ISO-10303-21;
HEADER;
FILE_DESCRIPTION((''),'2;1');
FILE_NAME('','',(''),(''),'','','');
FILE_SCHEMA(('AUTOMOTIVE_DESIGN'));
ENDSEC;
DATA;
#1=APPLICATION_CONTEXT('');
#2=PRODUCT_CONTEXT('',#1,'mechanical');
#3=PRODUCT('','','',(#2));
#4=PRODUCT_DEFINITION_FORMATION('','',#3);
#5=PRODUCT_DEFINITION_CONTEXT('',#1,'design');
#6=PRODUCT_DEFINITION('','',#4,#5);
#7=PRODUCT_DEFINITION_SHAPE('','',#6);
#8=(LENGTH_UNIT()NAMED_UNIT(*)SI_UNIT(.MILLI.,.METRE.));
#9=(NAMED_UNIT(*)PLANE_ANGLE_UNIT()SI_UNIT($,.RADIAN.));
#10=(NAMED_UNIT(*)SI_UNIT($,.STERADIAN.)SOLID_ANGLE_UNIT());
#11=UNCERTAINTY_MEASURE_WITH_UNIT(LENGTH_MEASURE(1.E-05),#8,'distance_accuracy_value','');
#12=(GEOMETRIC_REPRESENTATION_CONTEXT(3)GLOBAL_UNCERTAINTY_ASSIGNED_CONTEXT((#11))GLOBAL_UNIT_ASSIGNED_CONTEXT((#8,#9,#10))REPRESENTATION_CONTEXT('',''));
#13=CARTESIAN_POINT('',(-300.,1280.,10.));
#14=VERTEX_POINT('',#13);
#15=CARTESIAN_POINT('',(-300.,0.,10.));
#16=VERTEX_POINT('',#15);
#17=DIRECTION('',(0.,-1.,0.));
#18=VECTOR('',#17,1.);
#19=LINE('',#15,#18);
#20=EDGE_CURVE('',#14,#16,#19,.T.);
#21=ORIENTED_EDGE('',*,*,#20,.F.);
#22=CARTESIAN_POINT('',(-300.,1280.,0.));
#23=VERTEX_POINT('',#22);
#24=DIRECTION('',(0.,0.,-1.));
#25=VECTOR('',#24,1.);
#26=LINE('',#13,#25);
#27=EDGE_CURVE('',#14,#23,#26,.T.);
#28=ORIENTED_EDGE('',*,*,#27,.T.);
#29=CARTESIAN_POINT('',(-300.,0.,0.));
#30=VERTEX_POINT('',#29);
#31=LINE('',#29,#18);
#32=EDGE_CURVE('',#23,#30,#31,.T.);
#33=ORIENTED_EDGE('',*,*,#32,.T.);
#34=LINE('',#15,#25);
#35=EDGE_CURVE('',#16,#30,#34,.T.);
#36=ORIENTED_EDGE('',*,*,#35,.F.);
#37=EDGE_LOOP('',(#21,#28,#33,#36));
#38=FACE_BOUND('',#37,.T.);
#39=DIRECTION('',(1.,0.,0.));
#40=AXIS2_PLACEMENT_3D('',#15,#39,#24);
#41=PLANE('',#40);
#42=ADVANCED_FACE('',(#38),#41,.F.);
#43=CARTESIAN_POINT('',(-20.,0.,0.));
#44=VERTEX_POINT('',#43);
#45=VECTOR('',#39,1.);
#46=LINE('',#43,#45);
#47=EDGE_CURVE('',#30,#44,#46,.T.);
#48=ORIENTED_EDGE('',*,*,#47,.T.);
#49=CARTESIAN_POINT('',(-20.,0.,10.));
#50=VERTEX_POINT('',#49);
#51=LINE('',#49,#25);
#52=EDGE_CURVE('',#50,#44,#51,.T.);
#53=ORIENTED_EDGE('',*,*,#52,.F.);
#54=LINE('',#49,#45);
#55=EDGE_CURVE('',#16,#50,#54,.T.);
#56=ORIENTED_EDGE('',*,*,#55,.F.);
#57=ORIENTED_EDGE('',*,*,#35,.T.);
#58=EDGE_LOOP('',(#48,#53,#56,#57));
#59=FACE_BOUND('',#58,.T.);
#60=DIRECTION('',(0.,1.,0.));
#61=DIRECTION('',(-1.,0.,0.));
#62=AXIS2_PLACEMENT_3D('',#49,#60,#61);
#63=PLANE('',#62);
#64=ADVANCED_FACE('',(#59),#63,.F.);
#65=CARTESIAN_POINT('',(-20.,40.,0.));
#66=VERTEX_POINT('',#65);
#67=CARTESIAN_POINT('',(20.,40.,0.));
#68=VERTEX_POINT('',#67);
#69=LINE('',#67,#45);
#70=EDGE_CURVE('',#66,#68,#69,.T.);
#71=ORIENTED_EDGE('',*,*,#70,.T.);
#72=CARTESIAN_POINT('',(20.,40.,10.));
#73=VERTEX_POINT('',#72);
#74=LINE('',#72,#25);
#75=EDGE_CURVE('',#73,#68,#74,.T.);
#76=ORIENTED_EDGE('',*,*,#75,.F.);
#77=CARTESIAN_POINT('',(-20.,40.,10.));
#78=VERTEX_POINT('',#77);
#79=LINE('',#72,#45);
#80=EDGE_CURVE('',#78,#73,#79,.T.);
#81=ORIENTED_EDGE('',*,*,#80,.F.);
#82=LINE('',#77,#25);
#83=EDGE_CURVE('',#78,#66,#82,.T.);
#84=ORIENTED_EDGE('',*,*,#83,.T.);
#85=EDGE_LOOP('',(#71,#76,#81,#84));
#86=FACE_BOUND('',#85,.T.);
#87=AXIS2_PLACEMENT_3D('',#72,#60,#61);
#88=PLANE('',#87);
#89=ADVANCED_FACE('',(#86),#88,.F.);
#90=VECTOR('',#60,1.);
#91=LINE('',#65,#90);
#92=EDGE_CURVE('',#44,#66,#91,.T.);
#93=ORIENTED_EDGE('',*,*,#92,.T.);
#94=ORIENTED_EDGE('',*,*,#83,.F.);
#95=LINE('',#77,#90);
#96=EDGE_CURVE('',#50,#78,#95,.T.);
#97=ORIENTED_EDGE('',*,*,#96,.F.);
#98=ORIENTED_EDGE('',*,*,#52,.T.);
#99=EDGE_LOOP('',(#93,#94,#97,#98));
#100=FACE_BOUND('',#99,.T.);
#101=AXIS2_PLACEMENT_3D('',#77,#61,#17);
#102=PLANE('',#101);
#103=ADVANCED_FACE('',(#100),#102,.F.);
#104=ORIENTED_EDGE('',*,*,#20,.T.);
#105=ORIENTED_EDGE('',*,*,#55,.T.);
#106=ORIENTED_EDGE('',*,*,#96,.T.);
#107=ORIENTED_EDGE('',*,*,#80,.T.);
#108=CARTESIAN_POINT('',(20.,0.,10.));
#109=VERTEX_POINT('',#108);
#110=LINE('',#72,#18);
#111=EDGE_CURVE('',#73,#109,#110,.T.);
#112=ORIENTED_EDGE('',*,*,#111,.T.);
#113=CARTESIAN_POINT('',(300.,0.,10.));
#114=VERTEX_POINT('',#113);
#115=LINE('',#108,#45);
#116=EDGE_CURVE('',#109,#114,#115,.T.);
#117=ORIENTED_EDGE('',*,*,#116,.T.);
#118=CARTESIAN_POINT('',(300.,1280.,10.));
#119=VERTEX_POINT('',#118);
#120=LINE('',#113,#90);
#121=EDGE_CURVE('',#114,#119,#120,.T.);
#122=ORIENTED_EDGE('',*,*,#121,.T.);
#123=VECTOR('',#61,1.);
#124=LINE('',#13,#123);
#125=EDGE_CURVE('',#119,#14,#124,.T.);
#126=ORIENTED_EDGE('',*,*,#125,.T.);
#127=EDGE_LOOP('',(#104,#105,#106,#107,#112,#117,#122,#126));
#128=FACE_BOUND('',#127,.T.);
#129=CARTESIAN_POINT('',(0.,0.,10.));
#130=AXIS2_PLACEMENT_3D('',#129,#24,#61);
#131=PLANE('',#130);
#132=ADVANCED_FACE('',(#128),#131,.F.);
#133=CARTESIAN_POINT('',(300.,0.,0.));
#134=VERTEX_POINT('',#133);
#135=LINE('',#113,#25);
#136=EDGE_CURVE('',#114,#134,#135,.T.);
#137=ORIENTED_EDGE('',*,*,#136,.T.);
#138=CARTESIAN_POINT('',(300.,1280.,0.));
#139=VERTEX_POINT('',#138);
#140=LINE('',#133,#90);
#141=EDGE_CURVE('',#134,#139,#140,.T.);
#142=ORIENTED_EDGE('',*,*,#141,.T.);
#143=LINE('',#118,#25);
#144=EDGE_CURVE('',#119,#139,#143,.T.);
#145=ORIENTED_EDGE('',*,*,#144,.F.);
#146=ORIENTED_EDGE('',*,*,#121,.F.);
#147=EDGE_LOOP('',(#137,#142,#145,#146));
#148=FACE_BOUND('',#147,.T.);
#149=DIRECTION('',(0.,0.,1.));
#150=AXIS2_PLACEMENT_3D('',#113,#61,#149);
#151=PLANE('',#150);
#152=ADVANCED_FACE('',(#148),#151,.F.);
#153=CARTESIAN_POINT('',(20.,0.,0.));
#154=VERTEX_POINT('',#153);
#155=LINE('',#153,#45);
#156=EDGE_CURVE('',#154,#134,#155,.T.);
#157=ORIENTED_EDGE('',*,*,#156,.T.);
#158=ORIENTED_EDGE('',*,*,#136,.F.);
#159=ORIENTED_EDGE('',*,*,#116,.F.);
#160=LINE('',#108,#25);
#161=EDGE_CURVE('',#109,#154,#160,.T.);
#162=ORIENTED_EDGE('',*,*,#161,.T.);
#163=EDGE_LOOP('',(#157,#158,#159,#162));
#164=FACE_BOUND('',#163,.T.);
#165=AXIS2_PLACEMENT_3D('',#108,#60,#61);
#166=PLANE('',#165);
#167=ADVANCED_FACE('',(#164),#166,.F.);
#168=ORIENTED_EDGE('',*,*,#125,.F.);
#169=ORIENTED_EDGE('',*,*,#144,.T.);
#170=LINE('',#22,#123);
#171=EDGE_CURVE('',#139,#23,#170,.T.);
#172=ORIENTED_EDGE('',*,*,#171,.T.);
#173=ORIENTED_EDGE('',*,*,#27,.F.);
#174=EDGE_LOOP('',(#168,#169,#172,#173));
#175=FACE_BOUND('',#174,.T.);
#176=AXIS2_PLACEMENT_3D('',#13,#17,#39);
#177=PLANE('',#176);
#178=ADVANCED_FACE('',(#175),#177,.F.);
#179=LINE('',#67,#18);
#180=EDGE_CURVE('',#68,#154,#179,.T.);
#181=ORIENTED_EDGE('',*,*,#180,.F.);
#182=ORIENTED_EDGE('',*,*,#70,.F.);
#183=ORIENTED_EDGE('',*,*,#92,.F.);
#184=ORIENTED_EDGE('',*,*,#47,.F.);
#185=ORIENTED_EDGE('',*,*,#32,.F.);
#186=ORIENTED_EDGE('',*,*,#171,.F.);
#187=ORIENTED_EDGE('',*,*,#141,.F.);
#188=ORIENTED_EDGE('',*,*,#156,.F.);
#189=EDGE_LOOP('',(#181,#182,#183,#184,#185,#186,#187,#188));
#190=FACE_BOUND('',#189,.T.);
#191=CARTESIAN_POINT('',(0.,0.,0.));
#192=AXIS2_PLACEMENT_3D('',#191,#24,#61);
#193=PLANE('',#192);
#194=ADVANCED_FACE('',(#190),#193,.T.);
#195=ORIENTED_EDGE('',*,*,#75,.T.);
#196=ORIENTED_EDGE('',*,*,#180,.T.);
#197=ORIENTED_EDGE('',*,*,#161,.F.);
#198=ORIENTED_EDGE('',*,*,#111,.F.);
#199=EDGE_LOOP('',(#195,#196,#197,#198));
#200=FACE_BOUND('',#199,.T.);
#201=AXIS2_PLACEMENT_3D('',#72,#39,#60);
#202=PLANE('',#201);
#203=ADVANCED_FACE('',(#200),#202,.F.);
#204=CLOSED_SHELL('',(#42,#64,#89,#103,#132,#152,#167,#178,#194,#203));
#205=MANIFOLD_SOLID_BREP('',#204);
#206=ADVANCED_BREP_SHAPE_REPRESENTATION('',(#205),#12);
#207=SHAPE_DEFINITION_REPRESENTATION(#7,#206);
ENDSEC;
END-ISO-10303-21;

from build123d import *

# Parameters (mm, degrees)
AUFSATZ_LINEAR_AUSTRAGEN1_DEPTH = 10


with BuildPart() as part:
    # Skizze1 → Aufsatz-Linear austragen1 (new body)
    with BuildSketch(Plane.XY):
        Polygon((20, 40), (-20, 40), (-20, 0), (-300, 0), (-300, 1280), (300, 1280), (300, 0), (20, 0), align=None)
    extrude(amount=AUFSATZ_LINEAR_AUSTRAGEN1_DEPTH)


solid = part.part
